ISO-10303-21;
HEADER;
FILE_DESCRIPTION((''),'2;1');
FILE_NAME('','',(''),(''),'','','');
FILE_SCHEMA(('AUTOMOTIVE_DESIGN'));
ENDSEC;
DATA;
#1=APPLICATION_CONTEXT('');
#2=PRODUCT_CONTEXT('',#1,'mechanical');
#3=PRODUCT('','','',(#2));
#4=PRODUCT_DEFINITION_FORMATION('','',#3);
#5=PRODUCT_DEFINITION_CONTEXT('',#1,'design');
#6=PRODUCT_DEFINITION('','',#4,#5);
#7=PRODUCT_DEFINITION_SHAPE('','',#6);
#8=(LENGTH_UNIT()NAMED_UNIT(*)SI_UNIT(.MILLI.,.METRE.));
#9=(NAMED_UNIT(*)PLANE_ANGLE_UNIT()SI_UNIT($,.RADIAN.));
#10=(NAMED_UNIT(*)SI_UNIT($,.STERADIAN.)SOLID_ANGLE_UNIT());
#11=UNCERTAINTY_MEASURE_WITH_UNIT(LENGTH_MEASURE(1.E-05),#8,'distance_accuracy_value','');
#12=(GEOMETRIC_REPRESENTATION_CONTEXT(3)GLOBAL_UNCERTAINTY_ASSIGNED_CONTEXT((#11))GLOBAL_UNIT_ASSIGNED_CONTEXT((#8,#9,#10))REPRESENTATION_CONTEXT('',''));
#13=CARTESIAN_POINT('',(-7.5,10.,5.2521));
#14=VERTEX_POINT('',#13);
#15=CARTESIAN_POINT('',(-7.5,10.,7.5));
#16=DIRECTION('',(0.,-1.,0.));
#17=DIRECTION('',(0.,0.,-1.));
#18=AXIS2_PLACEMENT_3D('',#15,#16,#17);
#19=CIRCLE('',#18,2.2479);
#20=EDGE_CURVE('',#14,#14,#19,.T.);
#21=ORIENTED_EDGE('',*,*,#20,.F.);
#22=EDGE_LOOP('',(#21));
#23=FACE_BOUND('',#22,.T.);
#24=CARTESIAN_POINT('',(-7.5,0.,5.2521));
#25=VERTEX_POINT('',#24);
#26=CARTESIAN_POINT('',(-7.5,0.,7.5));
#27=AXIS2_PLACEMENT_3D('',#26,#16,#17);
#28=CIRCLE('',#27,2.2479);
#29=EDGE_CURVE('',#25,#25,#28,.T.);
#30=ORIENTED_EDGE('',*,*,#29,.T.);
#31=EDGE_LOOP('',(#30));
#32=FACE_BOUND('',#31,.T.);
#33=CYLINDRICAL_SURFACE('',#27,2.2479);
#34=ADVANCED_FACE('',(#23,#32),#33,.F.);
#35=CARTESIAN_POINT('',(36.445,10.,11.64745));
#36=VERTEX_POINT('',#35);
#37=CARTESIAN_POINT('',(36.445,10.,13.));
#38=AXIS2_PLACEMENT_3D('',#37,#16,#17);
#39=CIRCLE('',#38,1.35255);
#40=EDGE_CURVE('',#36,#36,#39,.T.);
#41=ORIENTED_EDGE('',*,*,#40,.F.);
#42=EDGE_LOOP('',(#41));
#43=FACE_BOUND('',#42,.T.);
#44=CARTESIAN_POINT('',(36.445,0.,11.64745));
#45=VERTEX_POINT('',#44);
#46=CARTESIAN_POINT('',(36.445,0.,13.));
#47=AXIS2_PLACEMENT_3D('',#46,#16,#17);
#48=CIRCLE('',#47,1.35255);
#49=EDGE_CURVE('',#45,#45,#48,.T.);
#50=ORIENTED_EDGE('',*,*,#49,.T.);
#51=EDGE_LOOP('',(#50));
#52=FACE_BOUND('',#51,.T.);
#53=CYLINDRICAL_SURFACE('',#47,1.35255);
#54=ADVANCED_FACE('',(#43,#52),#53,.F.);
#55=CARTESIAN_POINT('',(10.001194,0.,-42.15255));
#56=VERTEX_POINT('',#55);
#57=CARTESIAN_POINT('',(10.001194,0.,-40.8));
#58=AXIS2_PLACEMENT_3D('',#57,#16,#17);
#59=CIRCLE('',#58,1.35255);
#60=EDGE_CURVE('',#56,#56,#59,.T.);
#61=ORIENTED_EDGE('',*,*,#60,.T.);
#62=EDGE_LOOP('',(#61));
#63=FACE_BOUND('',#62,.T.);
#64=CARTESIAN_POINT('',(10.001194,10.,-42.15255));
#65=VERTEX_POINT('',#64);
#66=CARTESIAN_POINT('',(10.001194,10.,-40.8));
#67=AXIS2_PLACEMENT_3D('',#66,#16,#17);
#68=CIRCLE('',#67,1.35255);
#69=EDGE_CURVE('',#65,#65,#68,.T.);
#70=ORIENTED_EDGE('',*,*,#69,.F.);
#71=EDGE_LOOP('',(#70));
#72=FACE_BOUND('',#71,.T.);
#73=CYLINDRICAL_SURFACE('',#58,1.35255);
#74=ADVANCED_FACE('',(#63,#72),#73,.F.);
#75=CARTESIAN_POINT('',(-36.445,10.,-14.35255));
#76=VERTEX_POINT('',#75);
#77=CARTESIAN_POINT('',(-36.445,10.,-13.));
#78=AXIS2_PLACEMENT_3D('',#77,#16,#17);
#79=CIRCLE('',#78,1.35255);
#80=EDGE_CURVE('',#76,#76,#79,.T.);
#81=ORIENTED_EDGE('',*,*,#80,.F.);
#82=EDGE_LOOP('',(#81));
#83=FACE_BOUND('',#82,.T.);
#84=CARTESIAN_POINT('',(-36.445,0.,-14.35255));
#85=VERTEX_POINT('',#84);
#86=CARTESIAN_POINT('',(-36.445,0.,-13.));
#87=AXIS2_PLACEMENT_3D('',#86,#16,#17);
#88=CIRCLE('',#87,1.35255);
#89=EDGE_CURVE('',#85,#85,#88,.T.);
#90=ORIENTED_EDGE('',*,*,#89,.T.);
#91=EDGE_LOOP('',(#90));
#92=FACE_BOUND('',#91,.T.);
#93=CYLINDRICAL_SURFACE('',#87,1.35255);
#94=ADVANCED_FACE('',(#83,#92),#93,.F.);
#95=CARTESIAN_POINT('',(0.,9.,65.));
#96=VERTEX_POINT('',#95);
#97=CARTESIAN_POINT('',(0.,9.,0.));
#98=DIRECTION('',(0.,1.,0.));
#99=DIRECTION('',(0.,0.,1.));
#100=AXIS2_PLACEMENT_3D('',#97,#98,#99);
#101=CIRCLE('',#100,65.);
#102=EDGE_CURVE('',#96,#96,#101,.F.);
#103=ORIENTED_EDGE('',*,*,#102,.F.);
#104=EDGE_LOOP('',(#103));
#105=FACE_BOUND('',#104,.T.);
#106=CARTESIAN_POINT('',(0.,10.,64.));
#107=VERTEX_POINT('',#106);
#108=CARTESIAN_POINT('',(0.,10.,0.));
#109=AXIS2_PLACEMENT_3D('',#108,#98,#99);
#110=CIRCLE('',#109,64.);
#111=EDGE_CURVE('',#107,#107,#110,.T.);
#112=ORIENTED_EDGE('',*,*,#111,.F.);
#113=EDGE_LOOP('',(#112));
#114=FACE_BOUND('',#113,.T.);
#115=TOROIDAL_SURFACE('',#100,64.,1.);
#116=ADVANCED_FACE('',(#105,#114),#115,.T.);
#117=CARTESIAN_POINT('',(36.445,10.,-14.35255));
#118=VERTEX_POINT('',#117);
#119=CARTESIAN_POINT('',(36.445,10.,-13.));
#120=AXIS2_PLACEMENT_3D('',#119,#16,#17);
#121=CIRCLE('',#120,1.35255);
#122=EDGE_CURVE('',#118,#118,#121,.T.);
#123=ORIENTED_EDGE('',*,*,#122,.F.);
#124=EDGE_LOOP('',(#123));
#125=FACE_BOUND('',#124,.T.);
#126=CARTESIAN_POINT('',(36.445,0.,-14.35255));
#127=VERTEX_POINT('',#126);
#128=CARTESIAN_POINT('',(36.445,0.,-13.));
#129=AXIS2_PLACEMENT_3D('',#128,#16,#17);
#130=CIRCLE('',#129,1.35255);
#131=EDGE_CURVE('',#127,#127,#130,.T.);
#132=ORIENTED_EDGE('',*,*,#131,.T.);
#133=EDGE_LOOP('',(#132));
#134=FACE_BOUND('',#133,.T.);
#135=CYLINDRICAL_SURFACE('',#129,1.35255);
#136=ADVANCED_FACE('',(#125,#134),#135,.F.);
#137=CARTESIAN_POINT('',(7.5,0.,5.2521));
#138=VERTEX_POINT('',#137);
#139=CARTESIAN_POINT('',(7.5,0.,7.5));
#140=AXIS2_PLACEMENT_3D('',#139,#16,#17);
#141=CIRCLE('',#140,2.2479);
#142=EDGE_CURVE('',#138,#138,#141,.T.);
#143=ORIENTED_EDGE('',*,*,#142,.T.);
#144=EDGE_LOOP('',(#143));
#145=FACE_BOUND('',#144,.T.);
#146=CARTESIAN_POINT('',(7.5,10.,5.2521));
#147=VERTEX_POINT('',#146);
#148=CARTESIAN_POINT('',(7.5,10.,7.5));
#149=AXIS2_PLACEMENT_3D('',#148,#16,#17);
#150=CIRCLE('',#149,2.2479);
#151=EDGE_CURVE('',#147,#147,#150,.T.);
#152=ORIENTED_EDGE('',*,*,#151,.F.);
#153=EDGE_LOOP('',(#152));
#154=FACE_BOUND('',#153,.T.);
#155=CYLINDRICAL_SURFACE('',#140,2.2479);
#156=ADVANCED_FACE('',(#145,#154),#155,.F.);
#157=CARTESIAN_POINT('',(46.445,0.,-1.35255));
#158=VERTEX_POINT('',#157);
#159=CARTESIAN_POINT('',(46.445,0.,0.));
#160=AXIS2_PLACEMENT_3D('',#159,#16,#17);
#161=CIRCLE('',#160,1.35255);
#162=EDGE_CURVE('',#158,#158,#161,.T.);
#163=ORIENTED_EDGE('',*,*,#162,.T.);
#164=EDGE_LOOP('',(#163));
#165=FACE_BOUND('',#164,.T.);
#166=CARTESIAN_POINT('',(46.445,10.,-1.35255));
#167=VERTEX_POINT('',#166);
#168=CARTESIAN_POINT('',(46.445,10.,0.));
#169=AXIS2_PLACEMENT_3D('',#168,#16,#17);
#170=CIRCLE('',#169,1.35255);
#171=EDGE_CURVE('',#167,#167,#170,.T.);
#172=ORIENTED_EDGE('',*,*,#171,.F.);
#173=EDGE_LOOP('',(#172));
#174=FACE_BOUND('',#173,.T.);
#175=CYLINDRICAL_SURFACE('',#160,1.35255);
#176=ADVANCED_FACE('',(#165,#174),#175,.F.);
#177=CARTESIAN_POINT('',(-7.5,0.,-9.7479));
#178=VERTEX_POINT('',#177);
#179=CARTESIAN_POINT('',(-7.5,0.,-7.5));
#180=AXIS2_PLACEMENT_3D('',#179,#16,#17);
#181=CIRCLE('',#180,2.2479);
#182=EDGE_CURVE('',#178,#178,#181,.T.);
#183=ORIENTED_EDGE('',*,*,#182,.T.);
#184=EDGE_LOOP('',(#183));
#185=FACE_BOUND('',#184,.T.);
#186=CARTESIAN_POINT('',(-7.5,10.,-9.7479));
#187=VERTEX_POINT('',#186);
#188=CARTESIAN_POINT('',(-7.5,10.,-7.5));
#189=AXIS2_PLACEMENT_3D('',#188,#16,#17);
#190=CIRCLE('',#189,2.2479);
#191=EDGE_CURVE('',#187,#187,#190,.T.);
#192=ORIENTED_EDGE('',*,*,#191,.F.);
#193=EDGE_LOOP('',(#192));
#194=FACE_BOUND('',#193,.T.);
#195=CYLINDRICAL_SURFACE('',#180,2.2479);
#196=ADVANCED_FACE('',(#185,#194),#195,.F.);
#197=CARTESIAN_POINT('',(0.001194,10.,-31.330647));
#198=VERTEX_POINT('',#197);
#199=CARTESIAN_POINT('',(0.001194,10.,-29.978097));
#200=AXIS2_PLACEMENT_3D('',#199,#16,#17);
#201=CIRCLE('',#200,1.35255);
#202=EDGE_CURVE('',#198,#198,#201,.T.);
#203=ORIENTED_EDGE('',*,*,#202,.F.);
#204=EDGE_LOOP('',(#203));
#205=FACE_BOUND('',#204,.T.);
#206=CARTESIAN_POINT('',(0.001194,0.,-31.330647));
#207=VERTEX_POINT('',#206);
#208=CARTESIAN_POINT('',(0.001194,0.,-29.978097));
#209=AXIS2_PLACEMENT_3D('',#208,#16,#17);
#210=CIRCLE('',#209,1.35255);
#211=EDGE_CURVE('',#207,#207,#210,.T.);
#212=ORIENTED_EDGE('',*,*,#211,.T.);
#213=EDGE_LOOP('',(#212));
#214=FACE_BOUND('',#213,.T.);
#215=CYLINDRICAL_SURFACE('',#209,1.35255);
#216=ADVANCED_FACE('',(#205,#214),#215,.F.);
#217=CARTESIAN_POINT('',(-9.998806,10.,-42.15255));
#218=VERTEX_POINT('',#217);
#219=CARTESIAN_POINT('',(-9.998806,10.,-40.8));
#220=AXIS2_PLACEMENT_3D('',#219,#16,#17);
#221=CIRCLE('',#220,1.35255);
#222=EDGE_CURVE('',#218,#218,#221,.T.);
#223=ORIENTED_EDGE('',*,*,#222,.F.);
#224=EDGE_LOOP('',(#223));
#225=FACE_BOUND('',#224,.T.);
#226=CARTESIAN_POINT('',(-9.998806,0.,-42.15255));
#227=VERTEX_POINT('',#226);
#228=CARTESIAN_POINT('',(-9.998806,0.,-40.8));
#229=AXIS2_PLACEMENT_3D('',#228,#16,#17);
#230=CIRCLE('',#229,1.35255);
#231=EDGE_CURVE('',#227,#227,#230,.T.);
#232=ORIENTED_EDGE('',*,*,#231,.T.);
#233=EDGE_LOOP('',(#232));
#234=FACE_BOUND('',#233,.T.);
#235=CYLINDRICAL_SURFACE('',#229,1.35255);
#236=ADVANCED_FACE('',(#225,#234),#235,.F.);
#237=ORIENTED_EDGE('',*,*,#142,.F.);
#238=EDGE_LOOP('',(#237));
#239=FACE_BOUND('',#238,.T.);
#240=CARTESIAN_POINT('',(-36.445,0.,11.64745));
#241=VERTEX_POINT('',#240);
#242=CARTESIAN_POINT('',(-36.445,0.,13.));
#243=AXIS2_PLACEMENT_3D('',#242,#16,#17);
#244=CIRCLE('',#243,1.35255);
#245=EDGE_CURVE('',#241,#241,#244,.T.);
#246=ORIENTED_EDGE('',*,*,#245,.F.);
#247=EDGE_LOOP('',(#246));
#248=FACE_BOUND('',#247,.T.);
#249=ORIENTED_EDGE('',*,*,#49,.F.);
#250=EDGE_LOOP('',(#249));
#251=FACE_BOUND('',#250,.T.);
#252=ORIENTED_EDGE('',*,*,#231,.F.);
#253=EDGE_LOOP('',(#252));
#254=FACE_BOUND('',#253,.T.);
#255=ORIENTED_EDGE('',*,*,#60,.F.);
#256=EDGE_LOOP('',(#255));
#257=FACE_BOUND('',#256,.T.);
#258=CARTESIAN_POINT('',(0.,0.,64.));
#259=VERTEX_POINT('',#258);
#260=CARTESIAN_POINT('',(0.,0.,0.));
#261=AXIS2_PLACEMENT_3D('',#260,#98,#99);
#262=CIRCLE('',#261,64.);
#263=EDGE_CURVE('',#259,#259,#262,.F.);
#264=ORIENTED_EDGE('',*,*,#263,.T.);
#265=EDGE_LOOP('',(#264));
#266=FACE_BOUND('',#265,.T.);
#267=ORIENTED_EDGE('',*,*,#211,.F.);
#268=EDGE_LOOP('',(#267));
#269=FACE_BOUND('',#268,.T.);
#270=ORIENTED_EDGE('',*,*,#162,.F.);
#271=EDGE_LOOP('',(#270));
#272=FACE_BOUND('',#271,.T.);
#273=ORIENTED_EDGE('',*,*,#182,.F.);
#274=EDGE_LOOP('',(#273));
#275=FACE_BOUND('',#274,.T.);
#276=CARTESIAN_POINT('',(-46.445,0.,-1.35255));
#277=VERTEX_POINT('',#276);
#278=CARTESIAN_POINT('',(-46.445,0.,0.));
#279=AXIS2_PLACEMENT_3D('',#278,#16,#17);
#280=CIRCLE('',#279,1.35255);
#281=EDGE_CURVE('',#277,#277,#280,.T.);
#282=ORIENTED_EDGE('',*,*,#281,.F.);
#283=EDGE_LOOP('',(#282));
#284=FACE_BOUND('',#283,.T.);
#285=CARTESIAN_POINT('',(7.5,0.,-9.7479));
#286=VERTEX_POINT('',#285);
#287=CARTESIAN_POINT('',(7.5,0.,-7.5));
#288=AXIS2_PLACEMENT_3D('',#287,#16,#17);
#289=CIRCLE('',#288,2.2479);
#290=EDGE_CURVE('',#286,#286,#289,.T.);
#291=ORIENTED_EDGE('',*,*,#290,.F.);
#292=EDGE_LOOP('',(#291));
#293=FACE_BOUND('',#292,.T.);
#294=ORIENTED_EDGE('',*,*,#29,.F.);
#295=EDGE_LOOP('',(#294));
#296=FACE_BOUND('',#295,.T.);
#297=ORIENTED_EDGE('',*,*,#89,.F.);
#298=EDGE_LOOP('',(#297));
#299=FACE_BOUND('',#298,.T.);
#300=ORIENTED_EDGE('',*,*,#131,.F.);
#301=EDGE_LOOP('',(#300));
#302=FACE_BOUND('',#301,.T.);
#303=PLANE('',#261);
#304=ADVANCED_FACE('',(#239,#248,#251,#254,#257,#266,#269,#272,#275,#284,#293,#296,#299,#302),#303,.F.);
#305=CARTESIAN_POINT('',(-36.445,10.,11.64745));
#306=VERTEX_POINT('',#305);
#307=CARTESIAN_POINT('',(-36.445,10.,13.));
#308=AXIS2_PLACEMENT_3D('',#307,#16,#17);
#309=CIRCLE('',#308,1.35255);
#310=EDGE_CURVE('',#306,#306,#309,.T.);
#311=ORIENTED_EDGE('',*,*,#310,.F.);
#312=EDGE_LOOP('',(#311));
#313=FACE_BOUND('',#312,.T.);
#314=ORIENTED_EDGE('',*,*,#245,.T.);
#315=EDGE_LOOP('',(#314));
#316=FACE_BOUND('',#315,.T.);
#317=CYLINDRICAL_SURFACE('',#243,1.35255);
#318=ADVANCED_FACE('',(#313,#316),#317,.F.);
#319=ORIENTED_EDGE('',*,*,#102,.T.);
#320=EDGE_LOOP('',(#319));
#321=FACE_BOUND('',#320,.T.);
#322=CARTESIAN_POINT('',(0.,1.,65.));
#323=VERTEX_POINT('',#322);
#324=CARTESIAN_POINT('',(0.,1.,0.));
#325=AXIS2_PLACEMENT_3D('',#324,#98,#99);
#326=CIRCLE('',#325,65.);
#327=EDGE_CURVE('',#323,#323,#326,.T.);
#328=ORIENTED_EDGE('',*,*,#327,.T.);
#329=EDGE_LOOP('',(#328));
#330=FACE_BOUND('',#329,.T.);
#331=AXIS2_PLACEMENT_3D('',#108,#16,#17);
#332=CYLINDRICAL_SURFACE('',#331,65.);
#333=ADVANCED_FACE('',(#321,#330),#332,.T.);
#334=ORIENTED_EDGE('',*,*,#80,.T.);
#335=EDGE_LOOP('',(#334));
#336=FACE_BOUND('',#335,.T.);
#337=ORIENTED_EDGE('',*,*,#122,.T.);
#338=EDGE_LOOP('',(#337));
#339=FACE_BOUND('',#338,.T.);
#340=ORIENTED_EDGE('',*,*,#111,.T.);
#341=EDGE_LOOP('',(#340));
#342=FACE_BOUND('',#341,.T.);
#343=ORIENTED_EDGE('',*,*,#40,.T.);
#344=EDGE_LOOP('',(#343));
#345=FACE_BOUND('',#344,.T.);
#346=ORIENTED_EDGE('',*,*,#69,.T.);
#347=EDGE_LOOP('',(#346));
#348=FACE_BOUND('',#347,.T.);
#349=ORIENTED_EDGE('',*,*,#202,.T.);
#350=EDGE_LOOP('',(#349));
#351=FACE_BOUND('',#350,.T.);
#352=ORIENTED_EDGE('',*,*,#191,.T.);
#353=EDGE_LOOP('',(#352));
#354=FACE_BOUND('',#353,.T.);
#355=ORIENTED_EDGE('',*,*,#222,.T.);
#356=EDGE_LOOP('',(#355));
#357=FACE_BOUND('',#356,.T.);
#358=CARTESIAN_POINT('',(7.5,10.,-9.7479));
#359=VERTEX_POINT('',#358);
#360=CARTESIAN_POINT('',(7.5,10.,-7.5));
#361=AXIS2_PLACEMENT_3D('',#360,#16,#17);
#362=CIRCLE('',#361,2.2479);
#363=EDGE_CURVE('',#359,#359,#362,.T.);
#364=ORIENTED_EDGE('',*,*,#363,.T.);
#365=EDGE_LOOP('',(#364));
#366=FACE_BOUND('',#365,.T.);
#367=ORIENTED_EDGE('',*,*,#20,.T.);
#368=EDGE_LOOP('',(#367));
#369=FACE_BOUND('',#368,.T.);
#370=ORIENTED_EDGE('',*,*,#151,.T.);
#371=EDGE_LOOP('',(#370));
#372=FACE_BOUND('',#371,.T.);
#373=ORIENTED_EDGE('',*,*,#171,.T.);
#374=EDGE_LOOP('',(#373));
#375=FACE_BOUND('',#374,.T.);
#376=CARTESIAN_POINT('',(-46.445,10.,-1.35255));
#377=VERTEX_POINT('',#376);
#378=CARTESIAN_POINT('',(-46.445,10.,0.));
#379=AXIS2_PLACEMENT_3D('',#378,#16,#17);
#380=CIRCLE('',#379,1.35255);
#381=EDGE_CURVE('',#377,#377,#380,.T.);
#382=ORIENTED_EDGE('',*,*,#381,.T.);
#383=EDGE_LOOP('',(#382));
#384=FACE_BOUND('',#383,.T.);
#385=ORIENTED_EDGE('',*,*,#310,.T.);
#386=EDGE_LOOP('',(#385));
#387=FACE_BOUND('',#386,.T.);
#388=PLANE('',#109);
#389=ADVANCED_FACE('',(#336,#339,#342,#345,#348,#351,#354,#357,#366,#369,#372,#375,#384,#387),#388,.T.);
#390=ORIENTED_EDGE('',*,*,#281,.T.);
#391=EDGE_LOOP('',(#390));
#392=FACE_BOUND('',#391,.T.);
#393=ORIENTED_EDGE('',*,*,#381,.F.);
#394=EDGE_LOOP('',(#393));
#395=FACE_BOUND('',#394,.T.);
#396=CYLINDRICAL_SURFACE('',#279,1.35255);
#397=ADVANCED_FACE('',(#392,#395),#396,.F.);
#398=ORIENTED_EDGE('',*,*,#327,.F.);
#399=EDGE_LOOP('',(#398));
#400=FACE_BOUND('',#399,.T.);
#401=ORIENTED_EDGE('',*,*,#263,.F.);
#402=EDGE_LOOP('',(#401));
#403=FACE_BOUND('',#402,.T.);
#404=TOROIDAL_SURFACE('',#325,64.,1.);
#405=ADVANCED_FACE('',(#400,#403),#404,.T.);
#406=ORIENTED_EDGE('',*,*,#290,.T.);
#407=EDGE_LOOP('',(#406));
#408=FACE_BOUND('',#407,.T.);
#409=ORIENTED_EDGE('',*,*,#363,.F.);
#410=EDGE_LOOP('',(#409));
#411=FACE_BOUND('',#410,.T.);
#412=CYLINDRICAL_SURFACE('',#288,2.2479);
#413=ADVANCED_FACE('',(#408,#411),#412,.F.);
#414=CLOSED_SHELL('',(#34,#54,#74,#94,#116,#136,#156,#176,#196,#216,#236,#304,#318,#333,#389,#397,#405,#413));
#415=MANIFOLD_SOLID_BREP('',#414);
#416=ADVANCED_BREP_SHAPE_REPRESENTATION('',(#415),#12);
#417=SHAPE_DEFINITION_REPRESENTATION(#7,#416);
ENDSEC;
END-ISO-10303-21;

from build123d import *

# Parameters (mm, degrees)
SKETCH1_R             = 65
BOSS_EXTRUDE1_DEPTH   = 10
FILLET1_R             = 1
F_6_32_TAPPED_HOLE1_D = 2.7051
F_8_CLEARANCE_HOLE1_D = 4.4958


with BuildPart() as part:
    # Sketch1 → Boss-Extrude1 (new body)
    with BuildSketch(Plane(origin=(0, 0, 0), x_dir=(1, 0, 0), z_dir=(0, 1, 0))):
        with Locations(Location((0, 0, 0), (0, 0, 270))):
            Circle(SKETCH1_R)
    extrude(amount=BOSS_EXTRUDE1_DEPTH)

    # Fillet1
    fillet1_edges = [part.edges().sort_by_distance(p)[0] for p in [
        (0, 0, -65),
        (0, 10, -65),
    ]]
    fillet(fillet1_edges, radius=FILLET1_R)

    # #6-32 Tapped Hole1 (through all)
    with Locations(Plane.XZ):
        with Locations((-46.445, 0), (46.445, 0), (-36.445, -13), (-36.445, 13), (36.445, 13), (36.445, -13), (10.00119449, -40.8), (0.00119449, -29.978097245), (-9.99880551, -40.8)):
            Hole(F_6_32_TAPPED_HOLE1_D / 2)

    # #8 Clearance Hole1 (through all)
    with Locations(Plane(origin=(0, 0, 0), x_dir=(-1, 0, 0), z_dir=(0, -1, 0))):
        with Locations((7.5, -7.5), (-7.5, -7.5), (7.5, 7.5), (-7.5, 7.5)):
            Hole(F_8_CLEARANCE_HOLE1_D / 2)


solid = part.part
